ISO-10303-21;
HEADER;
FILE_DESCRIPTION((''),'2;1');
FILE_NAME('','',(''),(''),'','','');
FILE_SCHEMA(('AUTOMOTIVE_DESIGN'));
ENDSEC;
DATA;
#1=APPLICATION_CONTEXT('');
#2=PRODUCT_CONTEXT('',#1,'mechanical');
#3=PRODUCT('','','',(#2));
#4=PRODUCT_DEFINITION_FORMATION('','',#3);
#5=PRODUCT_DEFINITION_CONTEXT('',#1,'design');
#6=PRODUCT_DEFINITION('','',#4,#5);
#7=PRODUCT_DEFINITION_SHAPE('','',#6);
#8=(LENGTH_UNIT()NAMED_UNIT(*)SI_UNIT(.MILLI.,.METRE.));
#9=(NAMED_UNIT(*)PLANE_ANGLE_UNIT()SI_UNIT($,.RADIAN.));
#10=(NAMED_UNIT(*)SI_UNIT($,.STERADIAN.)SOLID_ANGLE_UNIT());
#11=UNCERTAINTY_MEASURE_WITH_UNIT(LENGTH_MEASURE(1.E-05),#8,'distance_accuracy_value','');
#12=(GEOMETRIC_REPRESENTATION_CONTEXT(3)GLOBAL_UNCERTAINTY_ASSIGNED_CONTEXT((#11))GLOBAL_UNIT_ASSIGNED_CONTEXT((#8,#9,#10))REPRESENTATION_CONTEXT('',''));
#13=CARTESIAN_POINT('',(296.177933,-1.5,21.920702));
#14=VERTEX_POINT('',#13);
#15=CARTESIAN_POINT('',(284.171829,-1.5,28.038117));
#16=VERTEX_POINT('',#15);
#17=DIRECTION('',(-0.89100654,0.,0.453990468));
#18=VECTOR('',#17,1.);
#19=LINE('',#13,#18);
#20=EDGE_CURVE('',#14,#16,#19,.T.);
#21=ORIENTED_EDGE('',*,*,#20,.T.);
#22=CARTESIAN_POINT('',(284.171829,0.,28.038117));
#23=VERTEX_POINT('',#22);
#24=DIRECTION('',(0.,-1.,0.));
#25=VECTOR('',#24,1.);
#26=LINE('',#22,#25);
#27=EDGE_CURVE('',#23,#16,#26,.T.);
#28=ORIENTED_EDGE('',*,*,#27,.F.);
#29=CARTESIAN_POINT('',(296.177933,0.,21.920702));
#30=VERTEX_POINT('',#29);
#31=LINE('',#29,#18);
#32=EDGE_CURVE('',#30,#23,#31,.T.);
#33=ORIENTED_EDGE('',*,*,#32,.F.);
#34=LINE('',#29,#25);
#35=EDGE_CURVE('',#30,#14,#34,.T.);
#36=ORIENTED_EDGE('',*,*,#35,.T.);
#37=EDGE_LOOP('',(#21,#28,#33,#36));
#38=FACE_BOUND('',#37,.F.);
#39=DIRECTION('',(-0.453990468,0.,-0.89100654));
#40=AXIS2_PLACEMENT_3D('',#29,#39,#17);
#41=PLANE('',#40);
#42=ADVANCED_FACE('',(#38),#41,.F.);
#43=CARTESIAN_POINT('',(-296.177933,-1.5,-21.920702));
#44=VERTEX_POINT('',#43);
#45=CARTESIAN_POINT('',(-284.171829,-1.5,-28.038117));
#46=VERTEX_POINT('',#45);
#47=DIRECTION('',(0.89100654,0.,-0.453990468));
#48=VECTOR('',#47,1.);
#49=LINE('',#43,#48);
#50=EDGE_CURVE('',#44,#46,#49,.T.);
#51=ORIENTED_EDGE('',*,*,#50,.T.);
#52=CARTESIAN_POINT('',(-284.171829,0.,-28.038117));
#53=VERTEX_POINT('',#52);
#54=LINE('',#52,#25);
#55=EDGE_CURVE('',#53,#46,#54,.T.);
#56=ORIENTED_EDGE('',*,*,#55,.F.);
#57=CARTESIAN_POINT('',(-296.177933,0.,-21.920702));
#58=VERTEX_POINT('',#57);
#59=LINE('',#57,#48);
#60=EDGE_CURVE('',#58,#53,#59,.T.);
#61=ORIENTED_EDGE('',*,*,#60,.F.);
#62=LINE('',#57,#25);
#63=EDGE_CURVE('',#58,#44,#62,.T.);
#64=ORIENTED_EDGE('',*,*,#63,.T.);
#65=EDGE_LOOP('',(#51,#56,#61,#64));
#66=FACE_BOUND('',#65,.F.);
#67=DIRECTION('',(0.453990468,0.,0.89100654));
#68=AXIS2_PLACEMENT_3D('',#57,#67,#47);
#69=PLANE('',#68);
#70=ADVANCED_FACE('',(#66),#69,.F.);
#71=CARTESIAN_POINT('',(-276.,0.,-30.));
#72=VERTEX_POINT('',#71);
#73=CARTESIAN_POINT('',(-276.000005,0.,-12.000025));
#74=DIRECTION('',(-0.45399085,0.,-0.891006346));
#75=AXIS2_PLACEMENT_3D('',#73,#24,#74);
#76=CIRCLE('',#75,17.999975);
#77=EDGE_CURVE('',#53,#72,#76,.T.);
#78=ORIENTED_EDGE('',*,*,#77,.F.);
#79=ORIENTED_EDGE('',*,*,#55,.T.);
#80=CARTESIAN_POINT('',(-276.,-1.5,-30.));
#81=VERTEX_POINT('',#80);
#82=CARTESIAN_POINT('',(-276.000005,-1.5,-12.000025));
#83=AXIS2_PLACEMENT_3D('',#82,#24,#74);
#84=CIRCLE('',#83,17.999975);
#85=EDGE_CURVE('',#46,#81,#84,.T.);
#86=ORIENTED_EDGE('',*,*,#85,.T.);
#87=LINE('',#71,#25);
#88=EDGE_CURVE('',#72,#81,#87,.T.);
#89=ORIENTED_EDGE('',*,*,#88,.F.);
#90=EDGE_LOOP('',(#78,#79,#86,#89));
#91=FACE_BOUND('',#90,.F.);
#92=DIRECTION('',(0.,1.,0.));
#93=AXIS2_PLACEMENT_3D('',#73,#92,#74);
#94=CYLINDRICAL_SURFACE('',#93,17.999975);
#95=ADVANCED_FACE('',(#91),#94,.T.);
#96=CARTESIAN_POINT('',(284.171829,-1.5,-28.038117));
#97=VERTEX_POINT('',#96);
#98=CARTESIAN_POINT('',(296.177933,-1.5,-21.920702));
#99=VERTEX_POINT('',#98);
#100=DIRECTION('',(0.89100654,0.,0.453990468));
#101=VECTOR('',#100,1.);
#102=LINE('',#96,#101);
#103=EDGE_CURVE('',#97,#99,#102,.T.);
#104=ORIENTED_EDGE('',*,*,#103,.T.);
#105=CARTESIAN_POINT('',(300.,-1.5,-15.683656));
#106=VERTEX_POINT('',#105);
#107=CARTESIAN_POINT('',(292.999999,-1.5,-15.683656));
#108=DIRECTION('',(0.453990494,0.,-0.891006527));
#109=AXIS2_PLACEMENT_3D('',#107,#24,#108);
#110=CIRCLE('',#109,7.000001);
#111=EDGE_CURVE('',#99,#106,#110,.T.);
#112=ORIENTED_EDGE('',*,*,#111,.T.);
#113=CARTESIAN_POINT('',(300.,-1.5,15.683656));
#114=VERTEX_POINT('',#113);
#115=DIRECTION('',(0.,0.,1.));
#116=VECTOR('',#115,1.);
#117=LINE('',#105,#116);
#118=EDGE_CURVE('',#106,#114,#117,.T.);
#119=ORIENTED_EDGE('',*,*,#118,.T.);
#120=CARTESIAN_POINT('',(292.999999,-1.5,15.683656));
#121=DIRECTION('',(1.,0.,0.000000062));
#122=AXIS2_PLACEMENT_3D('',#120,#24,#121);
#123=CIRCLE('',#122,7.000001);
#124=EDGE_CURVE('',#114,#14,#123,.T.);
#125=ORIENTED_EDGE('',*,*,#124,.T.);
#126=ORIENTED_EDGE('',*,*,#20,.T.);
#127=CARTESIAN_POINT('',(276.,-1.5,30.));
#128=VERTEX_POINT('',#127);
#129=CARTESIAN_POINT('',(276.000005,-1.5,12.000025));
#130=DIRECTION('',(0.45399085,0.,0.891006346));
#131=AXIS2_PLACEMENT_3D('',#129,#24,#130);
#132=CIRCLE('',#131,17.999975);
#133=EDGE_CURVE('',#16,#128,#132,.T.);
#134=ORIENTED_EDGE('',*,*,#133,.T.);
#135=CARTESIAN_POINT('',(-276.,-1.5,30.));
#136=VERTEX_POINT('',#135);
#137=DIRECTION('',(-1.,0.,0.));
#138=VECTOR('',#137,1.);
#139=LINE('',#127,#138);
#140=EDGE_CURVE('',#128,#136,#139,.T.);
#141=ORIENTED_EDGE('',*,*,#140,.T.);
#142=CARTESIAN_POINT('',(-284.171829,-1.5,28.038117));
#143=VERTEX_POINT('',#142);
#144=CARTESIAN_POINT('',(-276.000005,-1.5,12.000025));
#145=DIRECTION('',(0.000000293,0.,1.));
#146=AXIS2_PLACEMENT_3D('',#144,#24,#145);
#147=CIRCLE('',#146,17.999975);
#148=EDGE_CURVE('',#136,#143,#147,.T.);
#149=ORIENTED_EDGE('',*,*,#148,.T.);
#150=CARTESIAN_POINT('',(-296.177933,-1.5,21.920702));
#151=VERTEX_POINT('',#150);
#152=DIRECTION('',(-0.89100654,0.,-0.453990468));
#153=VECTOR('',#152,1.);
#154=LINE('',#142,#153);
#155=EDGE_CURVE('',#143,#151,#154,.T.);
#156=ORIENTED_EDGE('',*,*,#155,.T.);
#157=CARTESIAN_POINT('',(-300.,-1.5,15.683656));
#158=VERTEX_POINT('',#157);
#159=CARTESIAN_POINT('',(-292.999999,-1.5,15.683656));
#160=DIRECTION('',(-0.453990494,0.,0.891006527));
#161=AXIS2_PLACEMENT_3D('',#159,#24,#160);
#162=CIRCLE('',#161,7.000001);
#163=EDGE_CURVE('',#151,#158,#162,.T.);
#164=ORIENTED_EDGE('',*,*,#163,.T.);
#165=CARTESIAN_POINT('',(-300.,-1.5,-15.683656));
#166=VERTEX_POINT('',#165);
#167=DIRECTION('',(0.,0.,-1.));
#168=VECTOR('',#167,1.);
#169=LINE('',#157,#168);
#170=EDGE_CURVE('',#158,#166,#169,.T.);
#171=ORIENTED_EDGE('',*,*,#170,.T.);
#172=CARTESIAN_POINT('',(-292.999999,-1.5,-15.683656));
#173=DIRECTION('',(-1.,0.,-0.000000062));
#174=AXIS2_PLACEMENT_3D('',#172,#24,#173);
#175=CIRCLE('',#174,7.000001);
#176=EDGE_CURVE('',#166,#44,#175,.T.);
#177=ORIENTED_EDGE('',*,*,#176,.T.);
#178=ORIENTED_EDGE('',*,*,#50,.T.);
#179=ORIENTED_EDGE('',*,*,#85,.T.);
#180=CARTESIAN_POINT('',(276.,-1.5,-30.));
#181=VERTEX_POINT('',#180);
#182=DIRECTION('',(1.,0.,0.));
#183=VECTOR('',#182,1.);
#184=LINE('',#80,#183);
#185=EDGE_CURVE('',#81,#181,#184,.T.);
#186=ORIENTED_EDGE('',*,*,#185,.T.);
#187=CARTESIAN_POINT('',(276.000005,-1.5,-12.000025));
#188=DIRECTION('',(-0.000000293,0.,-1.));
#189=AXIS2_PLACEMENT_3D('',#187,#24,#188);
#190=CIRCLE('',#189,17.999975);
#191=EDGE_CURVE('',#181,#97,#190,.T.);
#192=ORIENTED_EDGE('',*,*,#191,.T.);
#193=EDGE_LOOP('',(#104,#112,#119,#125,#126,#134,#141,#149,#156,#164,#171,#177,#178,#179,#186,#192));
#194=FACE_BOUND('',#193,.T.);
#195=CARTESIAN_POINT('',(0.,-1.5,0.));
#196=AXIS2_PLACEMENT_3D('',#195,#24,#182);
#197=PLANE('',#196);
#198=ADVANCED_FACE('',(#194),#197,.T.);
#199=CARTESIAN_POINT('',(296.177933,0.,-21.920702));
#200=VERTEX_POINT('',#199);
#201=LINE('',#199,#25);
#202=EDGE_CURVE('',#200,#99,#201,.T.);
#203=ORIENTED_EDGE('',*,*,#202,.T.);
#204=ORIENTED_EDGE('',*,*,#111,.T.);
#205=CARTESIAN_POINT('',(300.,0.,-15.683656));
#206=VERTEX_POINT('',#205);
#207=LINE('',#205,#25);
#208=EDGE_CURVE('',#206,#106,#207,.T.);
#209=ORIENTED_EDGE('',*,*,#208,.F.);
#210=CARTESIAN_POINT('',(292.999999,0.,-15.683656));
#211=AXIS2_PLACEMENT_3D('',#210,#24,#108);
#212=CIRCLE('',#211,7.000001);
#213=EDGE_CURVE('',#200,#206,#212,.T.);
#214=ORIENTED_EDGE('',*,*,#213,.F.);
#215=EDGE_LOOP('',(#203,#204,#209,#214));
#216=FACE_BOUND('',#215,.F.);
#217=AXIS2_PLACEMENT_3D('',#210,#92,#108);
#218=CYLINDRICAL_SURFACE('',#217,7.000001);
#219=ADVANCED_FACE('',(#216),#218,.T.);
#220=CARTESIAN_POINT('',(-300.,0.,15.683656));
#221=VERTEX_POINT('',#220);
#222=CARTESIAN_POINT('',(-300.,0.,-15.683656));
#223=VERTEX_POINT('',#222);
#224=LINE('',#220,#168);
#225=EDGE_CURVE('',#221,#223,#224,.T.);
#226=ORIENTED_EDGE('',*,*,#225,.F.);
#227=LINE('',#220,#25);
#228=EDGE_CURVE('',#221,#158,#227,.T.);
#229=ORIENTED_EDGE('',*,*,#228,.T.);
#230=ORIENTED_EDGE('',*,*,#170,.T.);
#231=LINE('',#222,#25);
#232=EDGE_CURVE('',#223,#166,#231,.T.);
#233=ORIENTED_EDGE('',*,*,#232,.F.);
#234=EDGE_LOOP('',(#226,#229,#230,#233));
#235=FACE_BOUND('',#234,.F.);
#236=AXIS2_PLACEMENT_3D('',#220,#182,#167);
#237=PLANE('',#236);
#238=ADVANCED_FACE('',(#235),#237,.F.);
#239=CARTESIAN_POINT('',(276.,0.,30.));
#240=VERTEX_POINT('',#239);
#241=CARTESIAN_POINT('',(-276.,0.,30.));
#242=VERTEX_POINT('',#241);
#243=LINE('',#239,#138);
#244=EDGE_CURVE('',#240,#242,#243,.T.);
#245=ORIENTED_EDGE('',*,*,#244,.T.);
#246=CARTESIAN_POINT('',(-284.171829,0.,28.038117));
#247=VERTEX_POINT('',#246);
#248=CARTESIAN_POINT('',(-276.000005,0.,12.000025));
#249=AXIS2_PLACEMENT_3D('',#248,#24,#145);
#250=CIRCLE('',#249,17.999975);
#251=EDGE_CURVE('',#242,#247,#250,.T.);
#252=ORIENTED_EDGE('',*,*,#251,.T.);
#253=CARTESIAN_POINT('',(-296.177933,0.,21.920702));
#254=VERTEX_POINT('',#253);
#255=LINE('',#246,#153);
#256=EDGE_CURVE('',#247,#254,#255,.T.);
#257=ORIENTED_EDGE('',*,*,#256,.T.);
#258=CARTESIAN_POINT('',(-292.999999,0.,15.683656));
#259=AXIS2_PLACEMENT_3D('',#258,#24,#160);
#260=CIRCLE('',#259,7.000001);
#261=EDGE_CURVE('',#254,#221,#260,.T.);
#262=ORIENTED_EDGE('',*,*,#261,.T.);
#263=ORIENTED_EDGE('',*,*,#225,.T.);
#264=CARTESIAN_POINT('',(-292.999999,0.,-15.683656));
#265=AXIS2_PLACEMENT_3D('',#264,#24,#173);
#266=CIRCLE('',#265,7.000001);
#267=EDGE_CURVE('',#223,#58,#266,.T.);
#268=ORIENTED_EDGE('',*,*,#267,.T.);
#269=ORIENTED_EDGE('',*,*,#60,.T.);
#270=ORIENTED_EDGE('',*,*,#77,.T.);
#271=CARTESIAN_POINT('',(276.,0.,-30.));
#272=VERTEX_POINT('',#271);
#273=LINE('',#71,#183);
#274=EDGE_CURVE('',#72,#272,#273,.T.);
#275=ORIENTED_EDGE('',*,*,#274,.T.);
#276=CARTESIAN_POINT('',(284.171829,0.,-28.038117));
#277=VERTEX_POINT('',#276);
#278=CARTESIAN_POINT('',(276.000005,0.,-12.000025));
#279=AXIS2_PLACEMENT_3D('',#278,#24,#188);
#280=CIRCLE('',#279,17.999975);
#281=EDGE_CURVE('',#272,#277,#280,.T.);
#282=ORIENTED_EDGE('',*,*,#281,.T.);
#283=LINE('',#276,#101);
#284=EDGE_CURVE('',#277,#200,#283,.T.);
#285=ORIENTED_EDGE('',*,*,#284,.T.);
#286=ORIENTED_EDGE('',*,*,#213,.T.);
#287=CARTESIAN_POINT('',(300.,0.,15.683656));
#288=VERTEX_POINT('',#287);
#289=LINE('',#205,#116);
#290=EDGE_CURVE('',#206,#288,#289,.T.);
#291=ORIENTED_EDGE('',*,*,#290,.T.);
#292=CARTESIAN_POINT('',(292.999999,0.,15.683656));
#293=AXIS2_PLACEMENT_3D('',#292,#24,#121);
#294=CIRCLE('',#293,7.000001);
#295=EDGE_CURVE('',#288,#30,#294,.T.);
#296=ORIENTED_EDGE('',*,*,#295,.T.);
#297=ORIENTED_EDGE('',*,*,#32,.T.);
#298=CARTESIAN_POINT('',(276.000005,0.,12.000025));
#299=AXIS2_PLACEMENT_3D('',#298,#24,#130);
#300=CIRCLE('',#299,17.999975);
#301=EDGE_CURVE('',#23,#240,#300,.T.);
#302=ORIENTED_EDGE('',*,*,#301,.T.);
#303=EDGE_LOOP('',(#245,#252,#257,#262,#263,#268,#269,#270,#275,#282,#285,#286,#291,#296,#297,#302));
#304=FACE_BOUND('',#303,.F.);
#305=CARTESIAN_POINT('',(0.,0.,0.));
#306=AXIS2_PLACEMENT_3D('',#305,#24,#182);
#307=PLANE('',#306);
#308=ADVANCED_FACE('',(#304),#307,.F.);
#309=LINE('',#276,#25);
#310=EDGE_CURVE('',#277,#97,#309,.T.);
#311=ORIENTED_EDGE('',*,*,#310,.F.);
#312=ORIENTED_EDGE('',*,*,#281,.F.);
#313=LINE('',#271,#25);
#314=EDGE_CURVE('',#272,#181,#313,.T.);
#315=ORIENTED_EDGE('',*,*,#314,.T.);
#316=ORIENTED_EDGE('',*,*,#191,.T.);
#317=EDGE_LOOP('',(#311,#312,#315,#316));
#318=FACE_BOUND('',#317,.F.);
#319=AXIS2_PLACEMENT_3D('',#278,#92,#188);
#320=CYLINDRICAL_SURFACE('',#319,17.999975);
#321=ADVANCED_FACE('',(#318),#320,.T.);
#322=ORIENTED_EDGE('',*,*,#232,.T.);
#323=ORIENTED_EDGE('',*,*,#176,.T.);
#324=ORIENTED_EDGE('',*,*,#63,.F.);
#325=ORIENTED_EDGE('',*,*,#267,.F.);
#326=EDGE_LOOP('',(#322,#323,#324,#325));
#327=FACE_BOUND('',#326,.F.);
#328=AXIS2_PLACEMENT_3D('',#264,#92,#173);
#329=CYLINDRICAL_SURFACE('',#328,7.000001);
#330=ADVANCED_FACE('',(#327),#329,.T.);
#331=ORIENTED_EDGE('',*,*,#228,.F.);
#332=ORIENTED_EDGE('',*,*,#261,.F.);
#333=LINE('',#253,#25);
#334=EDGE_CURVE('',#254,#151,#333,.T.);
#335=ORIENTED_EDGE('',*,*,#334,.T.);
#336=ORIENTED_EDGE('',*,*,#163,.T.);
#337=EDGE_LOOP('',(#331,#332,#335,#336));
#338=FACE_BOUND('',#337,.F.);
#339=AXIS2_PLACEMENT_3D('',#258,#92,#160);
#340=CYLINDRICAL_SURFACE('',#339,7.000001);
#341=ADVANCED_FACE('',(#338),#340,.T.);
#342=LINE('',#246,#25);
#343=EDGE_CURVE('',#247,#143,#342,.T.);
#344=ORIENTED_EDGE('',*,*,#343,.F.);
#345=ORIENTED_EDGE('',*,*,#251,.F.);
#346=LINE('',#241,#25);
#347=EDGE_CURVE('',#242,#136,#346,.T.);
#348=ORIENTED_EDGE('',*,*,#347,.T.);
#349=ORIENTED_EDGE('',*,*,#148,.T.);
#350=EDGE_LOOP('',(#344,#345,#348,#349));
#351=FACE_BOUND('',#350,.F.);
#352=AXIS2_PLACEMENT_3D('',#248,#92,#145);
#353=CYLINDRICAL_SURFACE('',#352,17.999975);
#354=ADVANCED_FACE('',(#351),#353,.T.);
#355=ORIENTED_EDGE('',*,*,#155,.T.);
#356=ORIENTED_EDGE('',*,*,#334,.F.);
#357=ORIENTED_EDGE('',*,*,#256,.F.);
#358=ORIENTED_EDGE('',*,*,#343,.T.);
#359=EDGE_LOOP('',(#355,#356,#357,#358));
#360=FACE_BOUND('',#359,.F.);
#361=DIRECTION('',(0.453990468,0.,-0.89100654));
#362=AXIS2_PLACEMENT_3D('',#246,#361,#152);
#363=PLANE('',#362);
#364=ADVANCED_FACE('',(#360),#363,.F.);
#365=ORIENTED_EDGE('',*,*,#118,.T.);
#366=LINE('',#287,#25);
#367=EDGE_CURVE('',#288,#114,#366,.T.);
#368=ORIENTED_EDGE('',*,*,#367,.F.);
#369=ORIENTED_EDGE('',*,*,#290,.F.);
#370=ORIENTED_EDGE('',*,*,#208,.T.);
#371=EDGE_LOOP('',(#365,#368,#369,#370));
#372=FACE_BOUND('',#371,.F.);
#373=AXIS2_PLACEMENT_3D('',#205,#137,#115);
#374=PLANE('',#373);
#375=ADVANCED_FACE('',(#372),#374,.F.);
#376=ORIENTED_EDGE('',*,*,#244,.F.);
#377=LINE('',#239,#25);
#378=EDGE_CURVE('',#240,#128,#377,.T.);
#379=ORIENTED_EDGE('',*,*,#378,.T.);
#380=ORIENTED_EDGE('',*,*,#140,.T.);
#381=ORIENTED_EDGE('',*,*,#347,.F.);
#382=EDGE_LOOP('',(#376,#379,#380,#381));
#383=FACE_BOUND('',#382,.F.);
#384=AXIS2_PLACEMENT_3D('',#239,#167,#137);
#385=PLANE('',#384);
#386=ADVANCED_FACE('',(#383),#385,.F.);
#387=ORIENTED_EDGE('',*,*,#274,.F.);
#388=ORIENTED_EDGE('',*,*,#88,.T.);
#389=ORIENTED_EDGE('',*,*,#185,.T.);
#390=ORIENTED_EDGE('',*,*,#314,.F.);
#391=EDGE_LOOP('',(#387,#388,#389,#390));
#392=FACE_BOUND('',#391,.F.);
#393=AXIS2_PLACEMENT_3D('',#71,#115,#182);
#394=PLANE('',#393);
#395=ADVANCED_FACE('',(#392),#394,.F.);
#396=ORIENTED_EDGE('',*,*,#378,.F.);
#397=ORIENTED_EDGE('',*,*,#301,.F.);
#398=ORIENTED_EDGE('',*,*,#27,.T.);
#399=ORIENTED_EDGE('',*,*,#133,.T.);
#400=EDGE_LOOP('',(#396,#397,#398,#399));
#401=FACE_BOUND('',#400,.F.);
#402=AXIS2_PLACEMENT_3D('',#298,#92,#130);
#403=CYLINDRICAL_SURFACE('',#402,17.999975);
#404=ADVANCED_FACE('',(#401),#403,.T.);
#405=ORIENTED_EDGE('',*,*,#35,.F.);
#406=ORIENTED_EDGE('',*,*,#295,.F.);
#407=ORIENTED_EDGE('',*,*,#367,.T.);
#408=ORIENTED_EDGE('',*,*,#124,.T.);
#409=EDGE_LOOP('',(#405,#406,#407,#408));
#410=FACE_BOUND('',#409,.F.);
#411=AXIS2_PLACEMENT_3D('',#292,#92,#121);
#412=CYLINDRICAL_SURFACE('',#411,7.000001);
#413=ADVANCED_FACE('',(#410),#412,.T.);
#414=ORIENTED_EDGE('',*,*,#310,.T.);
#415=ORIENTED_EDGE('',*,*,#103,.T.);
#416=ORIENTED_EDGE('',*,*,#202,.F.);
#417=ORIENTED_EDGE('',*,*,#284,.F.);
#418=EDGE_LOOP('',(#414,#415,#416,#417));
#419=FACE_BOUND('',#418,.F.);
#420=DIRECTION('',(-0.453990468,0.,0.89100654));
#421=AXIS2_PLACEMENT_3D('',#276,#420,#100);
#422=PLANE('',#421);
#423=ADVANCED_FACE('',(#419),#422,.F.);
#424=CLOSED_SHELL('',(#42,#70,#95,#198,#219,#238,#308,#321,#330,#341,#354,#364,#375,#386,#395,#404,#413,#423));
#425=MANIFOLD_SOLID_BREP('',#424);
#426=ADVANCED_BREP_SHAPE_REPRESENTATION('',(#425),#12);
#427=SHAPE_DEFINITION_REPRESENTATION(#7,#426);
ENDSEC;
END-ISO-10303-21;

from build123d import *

# Parameters (mm, degrees)
F1_DEPTH = 1.5


with BuildPart() as f1:
    # F0 (on Front) → F1 (new body)
    with BuildSketch(Plane.XZ):
        with BuildLine():
            ThreePointArc((-276, 30), (-280.202017, 29.502659), (-284.171829, 28.038117))
            Line((-284.171829, 28.038117), (-296.177933, 21.920702))
            ThreePointArc((-296.177933, 21.920702), (-298.968481, 19.341146), (-300, 15.683656))
            Line((-300, 15.683656), (-300, 0))
            Line((-300, 0), (-300, -15.683656))
            ThreePointArc((-300, -15.683656), (-298.968481, -19.341146), (-296.177933, -21.920702))
            Line((-296.177933, -21.920702), (-284.171829, -28.038117))
            ThreePointArc((-284.171829, -28.038117), (-280.202017, -29.502659), (-276, -30))
            Line((-276, -30), (0, -30))
            Line((0, -30), (276, -30))
            ThreePointArc((276, -30), (280.202017, -29.502659), (284.171829, -28.038117))
            Line((284.171829, -28.038117), (296.177933, -21.920702))
            ThreePointArc((296.177933, -21.920702), (298.968481, -19.341146), (300, -15.683656))
            Line((300, -15.683656), (300, 0))
            Line((300, 0), (300, 15.683656))
            ThreePointArc((300, 15.683656), (298.968481, 19.341146), (296.177933, 21.920702))
            Line((296.177933, 21.920702), (284.171829, 28.038117))
            ThreePointArc((284.171829, 28.038117), (280.202017, 29.502659), (276, 30))
            Line((276, 30), (0, 30))
            Line((0, 30), (-276, 30))
        make_face()
    extrude(amount=F1_DEPTH)


solid = f1.part
